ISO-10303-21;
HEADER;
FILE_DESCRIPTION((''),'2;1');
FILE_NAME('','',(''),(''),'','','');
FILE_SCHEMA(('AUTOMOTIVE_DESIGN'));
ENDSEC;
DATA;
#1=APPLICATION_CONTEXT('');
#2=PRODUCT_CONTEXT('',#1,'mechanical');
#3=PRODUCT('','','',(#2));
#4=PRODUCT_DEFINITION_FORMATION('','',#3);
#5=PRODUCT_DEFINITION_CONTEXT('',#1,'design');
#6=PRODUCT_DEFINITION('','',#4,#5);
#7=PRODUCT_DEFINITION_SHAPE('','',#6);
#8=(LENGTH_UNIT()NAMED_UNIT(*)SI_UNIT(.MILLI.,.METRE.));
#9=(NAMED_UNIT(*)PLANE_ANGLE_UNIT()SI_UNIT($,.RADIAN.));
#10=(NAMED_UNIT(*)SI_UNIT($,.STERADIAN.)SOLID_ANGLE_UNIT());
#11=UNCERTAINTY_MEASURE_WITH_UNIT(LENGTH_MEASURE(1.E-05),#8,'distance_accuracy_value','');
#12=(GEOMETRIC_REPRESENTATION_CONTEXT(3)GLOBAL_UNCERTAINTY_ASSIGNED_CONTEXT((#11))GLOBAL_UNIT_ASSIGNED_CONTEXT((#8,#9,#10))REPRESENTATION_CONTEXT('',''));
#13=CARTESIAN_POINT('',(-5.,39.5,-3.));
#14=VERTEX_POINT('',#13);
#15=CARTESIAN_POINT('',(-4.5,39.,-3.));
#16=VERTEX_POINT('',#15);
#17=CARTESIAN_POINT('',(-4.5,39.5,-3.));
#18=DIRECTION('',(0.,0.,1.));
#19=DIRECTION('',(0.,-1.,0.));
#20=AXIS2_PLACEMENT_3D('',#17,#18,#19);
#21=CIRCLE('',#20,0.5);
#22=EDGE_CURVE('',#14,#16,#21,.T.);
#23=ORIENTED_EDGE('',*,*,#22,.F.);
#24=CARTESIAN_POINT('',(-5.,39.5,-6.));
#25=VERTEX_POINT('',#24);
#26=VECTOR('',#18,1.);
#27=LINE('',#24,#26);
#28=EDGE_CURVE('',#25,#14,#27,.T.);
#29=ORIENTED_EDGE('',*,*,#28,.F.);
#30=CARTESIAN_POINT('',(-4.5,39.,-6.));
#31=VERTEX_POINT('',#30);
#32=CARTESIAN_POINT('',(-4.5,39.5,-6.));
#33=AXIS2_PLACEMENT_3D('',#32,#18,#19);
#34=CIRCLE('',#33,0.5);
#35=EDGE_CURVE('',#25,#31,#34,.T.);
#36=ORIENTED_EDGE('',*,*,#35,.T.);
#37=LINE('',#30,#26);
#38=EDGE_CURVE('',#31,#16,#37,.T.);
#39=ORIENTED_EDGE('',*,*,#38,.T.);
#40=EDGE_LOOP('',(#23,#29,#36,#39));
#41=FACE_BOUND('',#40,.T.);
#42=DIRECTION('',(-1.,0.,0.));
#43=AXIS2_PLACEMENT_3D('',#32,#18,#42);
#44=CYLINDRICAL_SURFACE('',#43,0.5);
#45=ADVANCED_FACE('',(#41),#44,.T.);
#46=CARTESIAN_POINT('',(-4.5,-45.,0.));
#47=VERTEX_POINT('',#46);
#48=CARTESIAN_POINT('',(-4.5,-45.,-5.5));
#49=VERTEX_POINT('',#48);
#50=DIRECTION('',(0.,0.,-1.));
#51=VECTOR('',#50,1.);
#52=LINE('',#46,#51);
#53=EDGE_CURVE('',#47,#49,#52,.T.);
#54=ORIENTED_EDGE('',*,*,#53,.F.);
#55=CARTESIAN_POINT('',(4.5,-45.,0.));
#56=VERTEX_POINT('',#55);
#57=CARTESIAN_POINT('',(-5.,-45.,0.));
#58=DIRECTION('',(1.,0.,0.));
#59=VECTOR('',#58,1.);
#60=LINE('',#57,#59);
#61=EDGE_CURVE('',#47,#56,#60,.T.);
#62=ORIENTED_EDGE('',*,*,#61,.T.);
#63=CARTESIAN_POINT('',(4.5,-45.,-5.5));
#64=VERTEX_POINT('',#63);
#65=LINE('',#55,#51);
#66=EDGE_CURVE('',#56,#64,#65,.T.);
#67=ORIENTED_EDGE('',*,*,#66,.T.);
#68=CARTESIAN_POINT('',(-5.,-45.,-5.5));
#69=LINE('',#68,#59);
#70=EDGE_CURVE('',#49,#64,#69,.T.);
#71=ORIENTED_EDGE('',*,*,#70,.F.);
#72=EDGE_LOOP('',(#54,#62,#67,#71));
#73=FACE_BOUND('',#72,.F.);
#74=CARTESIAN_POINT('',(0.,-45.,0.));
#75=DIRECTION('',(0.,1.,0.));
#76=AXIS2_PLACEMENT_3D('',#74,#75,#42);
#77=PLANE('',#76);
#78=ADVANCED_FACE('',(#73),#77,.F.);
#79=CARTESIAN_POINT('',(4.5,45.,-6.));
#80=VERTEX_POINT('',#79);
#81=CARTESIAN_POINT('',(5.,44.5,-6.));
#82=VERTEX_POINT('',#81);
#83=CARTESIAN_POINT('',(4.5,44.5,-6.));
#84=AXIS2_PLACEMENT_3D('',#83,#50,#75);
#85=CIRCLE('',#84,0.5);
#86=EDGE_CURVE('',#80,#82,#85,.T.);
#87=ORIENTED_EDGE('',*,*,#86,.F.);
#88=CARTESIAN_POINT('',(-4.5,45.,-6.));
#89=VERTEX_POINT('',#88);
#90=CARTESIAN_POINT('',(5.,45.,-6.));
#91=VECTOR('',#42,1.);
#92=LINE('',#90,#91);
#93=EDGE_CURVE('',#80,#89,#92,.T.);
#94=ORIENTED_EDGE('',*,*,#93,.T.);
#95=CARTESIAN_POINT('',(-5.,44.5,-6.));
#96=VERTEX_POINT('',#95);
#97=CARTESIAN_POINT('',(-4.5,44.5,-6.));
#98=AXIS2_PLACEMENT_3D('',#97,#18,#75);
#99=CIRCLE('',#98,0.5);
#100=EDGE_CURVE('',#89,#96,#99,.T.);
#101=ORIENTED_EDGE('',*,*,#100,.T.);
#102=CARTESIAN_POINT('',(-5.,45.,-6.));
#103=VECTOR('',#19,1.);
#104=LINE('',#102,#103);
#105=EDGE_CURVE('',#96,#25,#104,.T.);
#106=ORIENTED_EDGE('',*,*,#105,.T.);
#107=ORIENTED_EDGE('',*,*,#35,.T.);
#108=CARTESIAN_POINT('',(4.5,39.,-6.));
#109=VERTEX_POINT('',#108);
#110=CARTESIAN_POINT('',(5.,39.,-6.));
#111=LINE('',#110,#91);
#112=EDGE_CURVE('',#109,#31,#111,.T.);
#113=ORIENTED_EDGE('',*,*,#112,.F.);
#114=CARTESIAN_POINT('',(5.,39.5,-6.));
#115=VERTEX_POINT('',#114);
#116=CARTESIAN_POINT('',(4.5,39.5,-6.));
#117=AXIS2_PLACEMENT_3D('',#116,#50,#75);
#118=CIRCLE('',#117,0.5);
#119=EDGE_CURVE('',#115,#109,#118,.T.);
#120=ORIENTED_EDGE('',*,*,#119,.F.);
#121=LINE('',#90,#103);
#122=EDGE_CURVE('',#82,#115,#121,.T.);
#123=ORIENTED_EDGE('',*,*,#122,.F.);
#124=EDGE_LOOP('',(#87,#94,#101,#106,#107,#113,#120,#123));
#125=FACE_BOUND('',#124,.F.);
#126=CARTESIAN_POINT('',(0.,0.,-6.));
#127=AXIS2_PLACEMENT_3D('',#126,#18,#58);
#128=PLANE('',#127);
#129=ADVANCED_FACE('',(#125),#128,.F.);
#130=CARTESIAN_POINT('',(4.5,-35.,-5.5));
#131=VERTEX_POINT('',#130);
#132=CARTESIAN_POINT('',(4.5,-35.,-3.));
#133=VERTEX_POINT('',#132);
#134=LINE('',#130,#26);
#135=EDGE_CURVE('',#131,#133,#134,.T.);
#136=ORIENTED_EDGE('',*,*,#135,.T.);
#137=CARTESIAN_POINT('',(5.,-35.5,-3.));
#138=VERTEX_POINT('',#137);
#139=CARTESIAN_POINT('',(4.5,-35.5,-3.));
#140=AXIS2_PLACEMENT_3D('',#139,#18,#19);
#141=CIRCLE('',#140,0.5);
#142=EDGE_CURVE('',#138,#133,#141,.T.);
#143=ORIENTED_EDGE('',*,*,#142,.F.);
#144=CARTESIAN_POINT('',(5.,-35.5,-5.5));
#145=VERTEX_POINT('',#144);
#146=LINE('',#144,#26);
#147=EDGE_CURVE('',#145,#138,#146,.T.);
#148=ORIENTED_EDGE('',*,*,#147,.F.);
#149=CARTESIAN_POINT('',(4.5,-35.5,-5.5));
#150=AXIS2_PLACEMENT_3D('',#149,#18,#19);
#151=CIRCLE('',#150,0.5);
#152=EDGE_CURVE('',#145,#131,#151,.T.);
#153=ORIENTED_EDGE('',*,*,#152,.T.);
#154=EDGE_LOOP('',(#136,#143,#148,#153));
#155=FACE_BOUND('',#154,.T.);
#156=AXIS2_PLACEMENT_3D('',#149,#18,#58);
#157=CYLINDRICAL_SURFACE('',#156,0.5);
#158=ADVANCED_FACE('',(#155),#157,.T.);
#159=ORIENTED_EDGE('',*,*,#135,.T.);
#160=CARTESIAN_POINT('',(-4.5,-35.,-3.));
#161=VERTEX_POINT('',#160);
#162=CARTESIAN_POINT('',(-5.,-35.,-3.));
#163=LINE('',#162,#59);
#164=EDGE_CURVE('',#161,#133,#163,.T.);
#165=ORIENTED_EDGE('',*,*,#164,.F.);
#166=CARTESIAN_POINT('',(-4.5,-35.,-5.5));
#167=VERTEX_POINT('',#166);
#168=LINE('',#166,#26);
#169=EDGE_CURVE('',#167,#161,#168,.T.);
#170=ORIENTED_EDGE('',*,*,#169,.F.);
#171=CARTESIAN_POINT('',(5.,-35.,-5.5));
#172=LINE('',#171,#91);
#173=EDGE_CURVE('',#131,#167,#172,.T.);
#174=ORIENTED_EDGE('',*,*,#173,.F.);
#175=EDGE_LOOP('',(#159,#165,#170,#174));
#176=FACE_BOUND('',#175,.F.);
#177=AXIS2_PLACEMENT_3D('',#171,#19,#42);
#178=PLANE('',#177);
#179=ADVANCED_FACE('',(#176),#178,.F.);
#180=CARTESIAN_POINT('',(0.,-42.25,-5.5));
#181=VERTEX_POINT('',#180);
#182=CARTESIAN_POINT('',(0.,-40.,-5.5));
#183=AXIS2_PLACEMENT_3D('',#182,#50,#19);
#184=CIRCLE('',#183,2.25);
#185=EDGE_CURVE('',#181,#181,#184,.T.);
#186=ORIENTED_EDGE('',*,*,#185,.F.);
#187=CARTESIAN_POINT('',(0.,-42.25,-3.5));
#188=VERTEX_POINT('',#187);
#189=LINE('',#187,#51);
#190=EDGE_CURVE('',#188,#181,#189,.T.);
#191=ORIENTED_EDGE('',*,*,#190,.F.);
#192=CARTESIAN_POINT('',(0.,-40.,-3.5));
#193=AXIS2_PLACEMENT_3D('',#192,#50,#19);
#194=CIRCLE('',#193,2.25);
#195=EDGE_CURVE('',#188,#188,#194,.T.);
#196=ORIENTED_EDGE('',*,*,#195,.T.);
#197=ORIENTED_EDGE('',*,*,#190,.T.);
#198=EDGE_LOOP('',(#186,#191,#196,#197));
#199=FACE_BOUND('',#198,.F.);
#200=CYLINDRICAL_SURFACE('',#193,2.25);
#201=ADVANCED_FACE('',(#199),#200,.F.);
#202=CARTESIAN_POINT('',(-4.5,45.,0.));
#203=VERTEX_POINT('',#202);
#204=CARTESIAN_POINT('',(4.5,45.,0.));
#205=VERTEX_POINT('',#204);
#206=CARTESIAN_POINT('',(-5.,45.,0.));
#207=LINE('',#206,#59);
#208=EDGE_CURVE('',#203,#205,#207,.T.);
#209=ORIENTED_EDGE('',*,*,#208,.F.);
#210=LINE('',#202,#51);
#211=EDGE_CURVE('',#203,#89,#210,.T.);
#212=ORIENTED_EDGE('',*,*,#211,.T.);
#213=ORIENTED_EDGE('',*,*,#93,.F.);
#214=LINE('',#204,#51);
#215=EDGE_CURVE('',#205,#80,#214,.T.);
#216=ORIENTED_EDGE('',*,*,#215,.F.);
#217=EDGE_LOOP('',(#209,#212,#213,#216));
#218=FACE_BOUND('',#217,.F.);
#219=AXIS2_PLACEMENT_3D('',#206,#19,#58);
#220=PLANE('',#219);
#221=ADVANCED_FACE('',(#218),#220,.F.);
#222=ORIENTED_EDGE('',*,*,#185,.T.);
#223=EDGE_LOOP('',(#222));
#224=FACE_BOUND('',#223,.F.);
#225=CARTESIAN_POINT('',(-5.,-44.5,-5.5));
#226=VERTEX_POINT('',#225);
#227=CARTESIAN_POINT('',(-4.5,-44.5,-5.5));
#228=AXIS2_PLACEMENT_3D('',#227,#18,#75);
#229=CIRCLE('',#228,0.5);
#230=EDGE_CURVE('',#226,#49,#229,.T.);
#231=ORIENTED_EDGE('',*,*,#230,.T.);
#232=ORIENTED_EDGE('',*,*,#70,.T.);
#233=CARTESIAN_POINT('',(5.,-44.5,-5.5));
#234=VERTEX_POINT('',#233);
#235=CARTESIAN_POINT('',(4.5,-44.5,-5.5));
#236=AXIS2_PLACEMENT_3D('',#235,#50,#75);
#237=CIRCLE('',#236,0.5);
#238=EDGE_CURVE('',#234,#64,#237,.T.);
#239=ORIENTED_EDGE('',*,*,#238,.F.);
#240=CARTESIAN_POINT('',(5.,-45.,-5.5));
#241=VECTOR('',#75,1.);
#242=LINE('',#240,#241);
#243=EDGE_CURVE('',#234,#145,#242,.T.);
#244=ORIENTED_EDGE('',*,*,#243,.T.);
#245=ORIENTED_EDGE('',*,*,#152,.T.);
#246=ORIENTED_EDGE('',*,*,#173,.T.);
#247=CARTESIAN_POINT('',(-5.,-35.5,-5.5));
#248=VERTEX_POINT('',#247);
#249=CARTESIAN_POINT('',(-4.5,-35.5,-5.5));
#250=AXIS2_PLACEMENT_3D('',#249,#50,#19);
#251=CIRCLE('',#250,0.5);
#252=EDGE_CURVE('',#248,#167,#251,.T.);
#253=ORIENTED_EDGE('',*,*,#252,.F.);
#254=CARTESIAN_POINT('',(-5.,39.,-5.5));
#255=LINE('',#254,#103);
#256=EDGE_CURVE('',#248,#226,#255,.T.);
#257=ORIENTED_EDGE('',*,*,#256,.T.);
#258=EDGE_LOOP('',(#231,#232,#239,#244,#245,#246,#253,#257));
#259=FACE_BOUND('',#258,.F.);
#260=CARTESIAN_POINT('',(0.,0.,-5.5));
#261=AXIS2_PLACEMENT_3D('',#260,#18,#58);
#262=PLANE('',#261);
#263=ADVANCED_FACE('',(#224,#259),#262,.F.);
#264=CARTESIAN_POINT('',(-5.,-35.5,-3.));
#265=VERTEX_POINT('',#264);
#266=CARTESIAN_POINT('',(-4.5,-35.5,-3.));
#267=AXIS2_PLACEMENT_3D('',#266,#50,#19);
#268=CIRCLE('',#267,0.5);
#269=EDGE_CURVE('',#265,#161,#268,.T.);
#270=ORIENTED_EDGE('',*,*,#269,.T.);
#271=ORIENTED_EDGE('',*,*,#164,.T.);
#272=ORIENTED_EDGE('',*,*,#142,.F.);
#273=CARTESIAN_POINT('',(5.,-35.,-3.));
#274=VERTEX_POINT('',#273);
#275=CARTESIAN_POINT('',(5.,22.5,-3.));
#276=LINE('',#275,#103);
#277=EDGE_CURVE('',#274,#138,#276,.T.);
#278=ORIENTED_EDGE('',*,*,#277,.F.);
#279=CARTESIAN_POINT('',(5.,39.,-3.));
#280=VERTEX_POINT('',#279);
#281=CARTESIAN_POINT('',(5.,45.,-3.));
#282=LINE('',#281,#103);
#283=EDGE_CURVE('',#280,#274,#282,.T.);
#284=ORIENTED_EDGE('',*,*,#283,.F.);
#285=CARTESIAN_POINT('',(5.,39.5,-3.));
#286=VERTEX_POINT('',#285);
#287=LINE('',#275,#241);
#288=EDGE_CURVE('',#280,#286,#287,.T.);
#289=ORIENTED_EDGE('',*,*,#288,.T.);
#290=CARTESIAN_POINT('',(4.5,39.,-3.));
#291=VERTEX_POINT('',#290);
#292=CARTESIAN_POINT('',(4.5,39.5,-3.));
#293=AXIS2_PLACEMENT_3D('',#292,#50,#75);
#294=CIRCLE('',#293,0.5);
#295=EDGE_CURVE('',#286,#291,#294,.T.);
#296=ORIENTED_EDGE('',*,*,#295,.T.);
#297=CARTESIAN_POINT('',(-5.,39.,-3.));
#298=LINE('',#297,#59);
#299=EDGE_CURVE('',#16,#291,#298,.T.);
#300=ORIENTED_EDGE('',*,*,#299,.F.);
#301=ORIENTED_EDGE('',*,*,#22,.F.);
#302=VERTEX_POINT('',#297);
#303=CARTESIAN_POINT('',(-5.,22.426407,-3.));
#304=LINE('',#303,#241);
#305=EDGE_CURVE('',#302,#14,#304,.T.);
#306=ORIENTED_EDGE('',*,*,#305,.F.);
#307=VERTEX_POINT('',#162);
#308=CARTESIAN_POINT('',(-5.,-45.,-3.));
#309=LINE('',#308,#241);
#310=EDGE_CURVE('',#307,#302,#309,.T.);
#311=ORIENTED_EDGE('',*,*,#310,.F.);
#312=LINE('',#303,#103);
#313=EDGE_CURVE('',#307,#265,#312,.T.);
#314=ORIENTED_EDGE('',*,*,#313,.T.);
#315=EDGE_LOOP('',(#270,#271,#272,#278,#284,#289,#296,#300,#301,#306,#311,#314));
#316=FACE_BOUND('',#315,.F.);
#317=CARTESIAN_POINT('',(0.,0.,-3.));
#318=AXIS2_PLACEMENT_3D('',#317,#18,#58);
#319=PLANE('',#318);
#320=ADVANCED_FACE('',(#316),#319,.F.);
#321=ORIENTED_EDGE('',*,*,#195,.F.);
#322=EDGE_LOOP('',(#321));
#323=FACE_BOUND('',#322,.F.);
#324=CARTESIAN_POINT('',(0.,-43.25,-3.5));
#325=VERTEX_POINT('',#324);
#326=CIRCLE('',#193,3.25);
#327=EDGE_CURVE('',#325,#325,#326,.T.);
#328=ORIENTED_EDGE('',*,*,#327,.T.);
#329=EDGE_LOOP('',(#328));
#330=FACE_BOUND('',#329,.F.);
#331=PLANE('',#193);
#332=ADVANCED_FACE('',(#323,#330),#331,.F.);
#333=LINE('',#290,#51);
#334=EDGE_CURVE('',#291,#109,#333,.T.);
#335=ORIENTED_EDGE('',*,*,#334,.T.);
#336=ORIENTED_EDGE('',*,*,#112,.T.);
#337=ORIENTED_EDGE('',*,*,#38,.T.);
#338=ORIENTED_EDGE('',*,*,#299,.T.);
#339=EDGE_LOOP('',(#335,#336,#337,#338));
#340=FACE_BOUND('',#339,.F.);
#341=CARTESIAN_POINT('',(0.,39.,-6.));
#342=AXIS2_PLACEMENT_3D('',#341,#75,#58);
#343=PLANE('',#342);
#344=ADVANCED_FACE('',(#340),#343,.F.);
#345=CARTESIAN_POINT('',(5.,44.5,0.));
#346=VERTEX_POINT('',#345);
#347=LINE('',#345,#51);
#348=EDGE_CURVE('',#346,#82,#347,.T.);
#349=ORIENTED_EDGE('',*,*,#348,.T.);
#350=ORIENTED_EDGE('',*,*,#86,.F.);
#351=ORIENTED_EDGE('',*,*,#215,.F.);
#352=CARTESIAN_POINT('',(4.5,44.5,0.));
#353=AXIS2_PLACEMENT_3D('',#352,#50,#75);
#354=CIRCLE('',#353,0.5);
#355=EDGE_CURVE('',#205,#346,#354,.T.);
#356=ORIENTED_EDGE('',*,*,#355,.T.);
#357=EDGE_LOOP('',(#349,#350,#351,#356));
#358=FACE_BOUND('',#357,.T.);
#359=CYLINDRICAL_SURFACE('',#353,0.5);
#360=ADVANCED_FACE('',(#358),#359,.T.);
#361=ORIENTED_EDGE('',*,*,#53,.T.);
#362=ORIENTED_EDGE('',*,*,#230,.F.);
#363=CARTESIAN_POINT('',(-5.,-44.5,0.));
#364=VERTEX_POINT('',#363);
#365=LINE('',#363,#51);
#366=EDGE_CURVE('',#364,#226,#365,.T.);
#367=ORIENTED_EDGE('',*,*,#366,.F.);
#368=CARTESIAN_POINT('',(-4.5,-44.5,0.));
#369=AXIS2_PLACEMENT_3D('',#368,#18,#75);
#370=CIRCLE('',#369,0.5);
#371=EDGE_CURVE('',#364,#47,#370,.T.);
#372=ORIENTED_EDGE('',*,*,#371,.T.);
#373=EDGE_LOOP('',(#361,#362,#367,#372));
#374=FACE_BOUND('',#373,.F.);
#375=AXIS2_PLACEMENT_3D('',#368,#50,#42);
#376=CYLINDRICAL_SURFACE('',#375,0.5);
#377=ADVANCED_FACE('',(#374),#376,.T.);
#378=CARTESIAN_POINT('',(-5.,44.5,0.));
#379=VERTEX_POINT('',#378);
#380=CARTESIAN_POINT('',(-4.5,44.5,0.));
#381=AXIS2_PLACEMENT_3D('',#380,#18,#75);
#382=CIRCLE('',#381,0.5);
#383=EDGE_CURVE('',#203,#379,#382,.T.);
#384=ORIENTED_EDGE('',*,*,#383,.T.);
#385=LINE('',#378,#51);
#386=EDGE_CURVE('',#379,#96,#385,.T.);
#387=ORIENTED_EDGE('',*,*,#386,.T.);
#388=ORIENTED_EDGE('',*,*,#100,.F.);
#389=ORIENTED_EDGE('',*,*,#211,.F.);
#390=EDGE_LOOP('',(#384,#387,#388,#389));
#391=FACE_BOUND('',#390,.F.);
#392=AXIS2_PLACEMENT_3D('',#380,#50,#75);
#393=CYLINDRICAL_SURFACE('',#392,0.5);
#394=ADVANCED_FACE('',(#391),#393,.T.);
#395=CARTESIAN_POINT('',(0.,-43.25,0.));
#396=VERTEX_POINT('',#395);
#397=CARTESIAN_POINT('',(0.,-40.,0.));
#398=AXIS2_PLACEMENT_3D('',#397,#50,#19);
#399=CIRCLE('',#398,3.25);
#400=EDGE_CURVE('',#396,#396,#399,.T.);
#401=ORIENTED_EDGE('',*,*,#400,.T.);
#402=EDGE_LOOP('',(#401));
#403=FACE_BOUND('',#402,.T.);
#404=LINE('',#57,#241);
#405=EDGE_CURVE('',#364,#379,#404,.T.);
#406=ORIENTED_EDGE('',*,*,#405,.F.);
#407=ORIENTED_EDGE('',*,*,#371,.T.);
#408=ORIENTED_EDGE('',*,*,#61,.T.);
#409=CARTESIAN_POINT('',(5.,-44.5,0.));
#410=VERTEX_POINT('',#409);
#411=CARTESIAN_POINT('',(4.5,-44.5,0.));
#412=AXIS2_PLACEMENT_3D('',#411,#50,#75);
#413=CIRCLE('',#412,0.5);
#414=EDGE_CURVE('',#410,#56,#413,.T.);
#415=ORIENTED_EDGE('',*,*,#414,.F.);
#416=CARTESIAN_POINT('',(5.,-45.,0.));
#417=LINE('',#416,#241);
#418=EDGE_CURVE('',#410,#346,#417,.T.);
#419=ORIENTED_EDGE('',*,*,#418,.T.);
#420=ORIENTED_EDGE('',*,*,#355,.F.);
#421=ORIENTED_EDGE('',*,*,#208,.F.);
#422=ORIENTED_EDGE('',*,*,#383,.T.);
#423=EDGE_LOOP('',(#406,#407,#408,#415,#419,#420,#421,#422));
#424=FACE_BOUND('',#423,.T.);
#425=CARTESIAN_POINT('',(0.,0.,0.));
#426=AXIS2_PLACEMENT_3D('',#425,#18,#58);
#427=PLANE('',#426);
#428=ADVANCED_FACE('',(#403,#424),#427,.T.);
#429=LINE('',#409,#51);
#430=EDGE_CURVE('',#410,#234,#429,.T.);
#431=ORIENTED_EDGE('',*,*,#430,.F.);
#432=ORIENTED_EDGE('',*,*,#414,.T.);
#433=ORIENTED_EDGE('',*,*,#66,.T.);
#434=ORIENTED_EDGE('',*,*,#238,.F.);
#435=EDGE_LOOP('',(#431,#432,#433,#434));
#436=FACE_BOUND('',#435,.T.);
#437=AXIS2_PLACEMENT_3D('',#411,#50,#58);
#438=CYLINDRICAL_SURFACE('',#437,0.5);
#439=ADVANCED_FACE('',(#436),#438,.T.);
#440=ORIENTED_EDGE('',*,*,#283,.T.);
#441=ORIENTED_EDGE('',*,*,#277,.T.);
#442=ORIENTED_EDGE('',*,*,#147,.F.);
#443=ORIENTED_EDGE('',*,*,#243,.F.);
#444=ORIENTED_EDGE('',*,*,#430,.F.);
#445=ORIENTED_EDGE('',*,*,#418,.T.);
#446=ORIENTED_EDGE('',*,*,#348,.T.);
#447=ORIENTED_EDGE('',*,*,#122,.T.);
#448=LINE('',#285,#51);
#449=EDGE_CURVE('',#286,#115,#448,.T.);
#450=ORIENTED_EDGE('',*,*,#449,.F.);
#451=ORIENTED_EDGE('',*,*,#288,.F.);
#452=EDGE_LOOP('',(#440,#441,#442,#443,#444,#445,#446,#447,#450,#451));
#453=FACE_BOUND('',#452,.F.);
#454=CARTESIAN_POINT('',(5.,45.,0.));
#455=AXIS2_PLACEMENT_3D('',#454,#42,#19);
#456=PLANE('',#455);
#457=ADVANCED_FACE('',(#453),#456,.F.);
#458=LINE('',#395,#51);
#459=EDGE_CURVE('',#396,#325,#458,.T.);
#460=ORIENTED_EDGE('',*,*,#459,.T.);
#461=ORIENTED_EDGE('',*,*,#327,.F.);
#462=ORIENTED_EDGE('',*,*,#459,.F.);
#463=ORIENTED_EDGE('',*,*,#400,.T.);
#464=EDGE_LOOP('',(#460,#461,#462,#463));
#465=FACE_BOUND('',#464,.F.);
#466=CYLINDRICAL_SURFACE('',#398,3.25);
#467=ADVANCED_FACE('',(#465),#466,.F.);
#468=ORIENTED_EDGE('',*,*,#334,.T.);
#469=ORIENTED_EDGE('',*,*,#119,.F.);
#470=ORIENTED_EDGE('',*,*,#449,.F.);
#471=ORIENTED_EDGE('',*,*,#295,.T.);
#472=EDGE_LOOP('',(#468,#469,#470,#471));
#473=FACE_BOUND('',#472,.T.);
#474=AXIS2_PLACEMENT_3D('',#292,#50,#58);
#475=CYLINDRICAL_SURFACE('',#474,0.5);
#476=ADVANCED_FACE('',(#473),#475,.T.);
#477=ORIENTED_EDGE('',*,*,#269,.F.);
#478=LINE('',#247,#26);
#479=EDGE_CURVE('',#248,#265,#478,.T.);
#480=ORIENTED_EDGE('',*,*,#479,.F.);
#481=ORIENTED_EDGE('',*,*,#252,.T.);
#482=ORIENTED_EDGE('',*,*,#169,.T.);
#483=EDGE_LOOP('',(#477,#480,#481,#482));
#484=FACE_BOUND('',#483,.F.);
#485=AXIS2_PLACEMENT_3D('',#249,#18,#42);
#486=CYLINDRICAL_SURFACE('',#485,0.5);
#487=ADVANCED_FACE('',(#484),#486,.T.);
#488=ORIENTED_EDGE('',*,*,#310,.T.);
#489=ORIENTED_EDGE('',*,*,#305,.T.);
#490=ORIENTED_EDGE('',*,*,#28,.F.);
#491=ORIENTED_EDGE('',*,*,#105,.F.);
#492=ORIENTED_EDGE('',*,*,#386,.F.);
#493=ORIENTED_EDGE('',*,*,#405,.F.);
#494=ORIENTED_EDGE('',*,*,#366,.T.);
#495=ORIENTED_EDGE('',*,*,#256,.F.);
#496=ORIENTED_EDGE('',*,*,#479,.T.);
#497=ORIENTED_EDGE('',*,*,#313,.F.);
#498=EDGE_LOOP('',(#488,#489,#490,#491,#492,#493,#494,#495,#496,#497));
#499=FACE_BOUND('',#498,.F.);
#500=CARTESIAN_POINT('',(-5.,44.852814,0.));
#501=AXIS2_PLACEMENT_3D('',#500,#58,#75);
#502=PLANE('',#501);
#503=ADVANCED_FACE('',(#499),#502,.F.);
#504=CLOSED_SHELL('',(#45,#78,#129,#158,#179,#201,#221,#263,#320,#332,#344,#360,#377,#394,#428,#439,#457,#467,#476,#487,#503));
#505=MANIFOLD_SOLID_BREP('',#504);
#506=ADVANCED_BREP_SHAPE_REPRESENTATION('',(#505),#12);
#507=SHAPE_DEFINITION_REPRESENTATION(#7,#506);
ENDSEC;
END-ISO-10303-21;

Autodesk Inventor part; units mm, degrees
ref_plane "YZ Plane" through (0, 0, 0) normal (1, 0, 0) x (0, 1, 0)
ref_plane "XZ Plane" through (0, 0, 0) normal (0, 1, 0) x (-1, 0, 0)
ref_plane "XY Plane" through (0, 0, 0) normal (0, 0, 1) x (1, 0, 0)
sketch "Esboço1" plane through (0, 0, 0) normal (0, 0, 1) x (1, 0, 0)
  line L0 (-119, 0) -> (119, 0) construction
  line L1 (0, -159) -> (0, 79) construction
  line L2 (-5, 45) -> (5, 45)
  line L3 (5, 45) -> (5, -45)
  line L4 (5, -45) -> (-5, -45)
  line L5 (-5, -45) -> (-5, 45)
  circle A0 centre (0, -40) radius 5
  circle A1 centre (0, 40) radius 5
  circle A2 centre (0, 42) radius 3
  line L6 (-5, 39) -> (5, 39)
  line L7 (5, 39) -> (5, -35)
  line L8 (5, -35) -> (-5, -35)
  line L9 (-5, -35) -> (-5, 39)
  circle A3 centre (0, -40) radius 85
  point P0 (0, 0)
  point P1 (5, 39)
  point P2 (-5, -35)
  dimension "d0" = 10
  dimension "d2" = 85
  dimension "d3" = 90
  dimension "d4" = 6
  dimension "d20" = 170
extrude "Extrusão1" add sketch "Esboço1" against normal blind 6 contours L2 A3 L5 | A3 L3 A1 | A2 L6 A1 | A1 L6 A2 | A2 | L2 L3 A3 | A1 L5 A3 | L3 L6 A1 | A1 L6 L5 | L6 A1 | L3 L8 L5 L6 A1 | L3 A0 L8 | L8 A0 L5 | A0 | L3 L4 A0 | A0 L4 L5
extrude "Extrusão2" cut sketch "Esboço1" along normal blind 0.5 from surface at -6 contours L6 A1 | L3 L8 L5 L6 A1 | L3 A0 L8 | L8 A0 L5 | A0 | L3 L4 A0 | A0 L4 L5
extrude "Extrusão3" cut sketch "Esboço1" along normal blind 2.5 from surface at -5.5 contours L6 A1 | L3 L8 L5 L6 A1
hole "Furo1" at (0, -40, 0) direction (0, 0, -1) diameter 4.5 end through all counterbore diameter 6.5 counterbore depth 3.5 clearance for "Socket Head Cap Screw ISO 4762" size "M4" standard "ISO"
fillet "Arredondamento1" radius 0.5 8 edges at (-5, 39, -4.5) (5, 39, -4.5) (-5, 45, -3) (5, 45, -3) (-5, -35, -4.25) (-5, -45, -2.75) (5, -45, -2.75) (5, -35, -4.25)
properties part number "VEJ-00-015" material "Fenolite OR"
